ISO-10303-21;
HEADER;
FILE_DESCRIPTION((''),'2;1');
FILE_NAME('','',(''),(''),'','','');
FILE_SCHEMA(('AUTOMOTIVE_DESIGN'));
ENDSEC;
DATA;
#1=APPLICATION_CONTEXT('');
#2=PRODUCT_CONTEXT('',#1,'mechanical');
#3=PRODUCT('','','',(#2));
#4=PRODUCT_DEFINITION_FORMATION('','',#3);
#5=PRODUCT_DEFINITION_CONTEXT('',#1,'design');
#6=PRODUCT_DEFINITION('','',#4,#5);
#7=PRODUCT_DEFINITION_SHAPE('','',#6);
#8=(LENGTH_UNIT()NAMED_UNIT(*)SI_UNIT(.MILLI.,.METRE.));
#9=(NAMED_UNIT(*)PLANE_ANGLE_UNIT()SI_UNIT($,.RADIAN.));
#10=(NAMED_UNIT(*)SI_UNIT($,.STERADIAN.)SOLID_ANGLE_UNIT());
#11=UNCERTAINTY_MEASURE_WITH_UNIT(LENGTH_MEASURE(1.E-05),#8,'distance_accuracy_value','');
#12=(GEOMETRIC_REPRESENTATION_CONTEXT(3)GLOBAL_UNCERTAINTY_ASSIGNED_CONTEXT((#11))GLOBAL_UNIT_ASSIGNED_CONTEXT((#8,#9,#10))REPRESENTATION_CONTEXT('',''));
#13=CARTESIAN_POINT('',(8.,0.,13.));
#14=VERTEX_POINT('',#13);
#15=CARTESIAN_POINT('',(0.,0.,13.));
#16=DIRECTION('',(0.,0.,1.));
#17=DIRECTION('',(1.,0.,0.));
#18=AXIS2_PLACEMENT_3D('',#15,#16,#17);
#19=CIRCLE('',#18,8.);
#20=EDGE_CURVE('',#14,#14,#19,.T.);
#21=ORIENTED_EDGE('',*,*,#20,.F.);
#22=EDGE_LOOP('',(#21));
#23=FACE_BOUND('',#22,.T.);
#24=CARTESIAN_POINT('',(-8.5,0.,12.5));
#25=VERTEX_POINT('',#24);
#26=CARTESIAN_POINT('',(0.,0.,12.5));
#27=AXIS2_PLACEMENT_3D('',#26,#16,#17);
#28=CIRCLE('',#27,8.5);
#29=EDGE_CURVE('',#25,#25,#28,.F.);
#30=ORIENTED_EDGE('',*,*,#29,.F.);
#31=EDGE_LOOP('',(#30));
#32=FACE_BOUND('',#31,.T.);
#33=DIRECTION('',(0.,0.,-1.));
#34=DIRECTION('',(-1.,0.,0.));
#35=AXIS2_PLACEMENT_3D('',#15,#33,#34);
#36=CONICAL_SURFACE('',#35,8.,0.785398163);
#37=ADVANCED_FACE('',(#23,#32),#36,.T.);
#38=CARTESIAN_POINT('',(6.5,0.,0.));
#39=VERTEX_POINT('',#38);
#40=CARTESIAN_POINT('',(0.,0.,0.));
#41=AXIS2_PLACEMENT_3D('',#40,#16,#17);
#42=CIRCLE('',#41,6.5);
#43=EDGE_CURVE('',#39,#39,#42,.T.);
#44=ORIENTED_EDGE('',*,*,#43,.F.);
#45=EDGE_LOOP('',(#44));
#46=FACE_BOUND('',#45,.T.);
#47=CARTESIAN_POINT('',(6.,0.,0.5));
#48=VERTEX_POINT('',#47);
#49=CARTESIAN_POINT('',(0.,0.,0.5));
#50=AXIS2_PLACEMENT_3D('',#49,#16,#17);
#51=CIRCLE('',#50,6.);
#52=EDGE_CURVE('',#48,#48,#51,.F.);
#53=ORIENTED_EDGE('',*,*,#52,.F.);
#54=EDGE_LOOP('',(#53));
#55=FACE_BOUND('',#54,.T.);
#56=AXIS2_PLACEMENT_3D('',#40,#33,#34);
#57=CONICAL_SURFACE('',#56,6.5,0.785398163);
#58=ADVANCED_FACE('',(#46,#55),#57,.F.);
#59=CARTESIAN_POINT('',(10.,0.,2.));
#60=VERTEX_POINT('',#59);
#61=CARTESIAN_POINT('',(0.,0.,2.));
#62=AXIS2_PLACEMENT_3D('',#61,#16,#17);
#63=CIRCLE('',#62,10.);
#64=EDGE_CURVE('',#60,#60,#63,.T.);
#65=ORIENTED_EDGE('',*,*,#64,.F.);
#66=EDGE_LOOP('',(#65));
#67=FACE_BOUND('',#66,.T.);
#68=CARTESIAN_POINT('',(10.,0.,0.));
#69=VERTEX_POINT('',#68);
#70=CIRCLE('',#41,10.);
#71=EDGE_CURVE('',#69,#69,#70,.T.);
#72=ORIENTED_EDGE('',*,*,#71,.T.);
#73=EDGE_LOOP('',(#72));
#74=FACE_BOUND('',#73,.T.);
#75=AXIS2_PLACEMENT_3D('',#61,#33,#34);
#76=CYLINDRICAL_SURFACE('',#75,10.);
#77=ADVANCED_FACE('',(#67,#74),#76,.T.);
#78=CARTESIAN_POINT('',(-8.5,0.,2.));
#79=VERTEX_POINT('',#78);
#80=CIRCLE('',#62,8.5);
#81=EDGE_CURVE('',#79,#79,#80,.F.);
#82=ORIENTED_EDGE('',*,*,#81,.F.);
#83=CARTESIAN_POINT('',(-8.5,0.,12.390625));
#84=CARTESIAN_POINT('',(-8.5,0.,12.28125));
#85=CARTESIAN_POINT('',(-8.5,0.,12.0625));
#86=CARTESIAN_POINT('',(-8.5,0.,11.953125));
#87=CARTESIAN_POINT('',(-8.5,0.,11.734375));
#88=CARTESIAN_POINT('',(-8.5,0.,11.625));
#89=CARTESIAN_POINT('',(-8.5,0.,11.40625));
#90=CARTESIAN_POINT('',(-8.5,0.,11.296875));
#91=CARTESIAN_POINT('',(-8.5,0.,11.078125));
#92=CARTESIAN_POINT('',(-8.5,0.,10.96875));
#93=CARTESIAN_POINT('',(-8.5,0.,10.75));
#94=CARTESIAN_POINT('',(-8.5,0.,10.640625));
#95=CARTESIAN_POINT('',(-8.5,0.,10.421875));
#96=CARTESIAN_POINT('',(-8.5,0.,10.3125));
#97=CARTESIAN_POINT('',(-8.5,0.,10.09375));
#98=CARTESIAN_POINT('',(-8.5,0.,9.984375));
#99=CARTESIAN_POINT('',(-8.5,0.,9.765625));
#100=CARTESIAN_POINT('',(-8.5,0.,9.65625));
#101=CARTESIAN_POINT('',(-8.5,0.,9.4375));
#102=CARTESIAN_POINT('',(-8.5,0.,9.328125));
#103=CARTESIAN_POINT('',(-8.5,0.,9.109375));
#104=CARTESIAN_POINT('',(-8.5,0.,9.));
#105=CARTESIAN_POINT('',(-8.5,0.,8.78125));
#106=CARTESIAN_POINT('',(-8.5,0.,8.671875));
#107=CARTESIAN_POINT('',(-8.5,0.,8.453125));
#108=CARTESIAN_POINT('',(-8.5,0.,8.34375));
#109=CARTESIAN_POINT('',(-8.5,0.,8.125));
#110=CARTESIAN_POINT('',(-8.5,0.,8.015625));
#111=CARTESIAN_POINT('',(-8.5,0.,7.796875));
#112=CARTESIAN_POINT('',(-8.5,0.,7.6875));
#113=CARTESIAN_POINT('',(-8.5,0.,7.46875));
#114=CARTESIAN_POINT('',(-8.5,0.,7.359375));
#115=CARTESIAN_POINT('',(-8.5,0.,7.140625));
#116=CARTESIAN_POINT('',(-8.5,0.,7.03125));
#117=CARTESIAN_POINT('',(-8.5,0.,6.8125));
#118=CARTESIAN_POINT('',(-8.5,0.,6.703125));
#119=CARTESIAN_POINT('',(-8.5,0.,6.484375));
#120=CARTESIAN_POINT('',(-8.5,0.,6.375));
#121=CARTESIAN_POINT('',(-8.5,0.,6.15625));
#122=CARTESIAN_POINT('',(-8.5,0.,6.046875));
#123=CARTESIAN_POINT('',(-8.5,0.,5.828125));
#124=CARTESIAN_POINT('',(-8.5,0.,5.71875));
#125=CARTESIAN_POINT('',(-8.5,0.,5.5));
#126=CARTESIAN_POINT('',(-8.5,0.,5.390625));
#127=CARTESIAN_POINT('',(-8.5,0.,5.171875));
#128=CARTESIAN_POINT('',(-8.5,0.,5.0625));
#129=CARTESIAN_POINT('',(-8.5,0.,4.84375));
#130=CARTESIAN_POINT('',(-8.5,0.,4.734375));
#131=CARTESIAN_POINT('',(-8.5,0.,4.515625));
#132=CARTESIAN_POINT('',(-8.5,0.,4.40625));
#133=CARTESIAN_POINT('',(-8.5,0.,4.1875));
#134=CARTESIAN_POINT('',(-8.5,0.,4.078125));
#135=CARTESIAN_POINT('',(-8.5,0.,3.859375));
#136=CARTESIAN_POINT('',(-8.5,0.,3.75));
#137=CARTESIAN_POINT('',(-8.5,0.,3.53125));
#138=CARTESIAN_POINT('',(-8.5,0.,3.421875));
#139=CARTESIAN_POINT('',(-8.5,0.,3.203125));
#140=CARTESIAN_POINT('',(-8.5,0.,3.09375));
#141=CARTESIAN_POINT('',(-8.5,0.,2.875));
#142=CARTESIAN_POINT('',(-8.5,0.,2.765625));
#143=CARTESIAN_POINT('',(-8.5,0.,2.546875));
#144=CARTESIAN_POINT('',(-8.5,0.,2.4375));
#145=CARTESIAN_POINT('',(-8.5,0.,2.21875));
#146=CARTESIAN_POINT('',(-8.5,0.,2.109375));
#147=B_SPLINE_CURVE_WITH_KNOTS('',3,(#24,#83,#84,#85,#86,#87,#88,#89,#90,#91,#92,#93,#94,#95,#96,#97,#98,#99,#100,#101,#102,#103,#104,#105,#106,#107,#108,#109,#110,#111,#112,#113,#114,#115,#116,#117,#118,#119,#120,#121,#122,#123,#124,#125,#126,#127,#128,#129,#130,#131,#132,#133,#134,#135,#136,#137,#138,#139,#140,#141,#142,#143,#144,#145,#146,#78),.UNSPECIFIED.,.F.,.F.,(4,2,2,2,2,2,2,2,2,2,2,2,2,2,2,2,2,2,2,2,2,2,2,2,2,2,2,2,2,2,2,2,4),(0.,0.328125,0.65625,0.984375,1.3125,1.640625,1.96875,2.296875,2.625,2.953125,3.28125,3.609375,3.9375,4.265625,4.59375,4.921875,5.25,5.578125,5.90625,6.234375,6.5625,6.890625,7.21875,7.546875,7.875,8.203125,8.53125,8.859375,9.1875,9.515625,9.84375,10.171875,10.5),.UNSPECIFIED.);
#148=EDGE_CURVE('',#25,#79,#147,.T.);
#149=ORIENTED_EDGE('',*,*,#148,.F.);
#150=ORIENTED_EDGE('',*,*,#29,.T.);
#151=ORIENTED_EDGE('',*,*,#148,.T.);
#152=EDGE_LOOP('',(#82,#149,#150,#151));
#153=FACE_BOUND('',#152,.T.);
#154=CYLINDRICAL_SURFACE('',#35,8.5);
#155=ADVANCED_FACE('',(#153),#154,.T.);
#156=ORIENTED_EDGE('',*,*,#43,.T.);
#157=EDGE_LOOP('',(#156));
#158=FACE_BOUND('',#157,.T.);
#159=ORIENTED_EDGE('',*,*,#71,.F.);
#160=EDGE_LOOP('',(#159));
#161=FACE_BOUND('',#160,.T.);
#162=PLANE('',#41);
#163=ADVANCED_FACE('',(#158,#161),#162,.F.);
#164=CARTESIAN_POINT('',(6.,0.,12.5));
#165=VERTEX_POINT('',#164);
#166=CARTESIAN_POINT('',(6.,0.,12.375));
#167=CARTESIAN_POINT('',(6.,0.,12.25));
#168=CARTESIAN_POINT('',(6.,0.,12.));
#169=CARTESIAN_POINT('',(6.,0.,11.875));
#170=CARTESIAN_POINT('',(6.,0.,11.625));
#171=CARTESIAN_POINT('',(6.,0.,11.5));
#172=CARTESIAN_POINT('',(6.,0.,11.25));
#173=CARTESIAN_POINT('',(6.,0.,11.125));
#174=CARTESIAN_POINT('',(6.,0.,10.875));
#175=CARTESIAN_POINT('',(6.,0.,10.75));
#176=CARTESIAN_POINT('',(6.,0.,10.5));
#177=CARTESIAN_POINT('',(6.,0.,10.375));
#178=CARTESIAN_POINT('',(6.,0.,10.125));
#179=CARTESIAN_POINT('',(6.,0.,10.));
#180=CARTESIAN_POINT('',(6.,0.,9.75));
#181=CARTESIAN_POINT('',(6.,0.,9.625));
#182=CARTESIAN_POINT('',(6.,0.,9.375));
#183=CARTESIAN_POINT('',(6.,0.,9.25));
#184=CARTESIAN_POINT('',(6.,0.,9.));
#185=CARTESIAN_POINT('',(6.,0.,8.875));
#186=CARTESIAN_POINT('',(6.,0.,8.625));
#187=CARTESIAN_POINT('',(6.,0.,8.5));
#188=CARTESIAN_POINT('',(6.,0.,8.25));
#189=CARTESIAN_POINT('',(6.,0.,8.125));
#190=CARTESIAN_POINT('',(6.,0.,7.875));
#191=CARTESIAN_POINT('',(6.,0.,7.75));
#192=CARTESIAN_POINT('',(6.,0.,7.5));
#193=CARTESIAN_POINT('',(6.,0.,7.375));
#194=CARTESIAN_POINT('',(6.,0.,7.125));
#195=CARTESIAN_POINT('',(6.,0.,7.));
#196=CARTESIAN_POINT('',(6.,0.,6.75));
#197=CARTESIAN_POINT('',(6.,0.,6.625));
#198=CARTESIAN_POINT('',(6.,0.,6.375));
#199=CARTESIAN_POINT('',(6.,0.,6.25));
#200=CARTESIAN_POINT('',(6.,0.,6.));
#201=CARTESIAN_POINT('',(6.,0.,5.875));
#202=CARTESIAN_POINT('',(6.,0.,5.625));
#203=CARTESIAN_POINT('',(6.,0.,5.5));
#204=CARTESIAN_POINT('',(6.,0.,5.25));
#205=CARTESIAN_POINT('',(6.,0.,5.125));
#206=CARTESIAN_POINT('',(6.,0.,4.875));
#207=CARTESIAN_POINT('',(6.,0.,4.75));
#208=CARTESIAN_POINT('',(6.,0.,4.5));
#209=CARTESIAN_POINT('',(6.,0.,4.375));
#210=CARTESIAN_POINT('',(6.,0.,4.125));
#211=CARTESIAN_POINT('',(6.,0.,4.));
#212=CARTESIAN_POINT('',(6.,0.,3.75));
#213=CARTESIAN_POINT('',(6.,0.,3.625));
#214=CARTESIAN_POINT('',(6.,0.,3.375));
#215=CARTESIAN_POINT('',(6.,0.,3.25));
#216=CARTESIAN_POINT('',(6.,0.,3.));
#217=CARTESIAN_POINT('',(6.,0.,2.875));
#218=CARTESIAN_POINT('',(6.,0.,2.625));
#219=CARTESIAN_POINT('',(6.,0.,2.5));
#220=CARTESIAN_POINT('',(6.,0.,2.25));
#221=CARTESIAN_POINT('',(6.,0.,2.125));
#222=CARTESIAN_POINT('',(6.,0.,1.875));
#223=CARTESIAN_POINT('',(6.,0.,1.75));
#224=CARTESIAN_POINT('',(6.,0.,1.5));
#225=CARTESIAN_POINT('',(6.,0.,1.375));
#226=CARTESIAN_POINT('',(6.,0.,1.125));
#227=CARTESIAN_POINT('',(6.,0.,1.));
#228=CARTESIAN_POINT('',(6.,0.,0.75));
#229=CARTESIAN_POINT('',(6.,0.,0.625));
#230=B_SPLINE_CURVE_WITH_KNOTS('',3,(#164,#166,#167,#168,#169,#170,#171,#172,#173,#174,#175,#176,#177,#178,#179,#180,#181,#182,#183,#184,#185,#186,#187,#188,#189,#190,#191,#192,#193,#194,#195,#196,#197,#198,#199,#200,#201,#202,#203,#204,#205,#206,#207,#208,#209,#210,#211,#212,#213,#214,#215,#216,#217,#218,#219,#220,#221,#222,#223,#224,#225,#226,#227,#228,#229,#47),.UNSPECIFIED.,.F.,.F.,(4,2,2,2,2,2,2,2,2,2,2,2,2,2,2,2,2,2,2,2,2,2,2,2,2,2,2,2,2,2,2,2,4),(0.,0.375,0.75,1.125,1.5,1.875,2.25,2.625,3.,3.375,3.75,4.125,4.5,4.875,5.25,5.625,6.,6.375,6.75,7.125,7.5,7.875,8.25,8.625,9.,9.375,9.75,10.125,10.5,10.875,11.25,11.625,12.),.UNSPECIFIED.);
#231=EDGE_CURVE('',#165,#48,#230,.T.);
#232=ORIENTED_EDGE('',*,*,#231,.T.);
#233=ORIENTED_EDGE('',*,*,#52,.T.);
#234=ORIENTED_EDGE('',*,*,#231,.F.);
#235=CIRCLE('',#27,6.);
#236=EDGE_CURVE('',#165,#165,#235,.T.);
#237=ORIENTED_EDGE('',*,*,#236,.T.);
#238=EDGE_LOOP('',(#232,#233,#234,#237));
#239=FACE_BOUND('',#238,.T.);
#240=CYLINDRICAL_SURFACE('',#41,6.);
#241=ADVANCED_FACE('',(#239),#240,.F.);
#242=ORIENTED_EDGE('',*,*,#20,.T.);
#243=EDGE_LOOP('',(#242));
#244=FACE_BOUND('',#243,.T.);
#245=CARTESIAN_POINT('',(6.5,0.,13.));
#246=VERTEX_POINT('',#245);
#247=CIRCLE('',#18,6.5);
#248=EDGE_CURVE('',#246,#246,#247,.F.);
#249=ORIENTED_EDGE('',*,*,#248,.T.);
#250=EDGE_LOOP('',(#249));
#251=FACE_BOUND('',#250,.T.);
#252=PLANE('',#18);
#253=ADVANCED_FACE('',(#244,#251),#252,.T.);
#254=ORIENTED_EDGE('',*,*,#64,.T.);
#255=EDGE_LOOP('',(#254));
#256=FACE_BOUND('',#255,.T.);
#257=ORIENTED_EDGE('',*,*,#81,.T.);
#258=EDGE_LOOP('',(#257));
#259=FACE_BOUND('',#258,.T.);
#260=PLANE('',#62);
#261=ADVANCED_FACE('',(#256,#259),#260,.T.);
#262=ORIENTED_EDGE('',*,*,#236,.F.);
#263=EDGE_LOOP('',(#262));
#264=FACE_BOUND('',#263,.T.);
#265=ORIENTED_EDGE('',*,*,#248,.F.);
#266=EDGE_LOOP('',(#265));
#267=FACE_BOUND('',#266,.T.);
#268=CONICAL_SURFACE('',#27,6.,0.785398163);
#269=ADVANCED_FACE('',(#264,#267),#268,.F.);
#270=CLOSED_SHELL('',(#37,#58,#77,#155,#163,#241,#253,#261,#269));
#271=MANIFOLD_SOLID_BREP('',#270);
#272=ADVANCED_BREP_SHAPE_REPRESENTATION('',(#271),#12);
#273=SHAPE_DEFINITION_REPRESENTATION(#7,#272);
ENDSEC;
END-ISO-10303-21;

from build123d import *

# Parameters (mm, degrees)
SKETCH_1_R          = 10
EXTRUDE_1_DEPTH     = 2
SKETCH_2_R          = 8.5
EXTRUDE_2_DEPTH     = 13
SKETCH_3_R          = 6
CUT_EXTRUDE_1_DEPTH = 20.209372712
CHAMFER_1_SIZE      = 0.5


with BuildPart() as part:
    # 草图1 → 凸台-拉伸1 (new body)
    with BuildSketch(Plane.XY):
        Circle(SKETCH_1_R)
    extrude(amount=EXTRUDE_1_DEPTH)

    # 草图2 → 凸台-拉伸2 (add)
    with BuildSketch(Plane.XY):
        with Locations(Location((0, 0, 0), (0, 0, 180))):
            Circle(SKETCH_2_R)
    extrude(amount=EXTRUDE_2_DEPTH)

    # 草图3 → 切除-拉伸1 (cut, through all)
    with BuildSketch(Plane.XY.offset(13)):
        Circle(SKETCH_3_R)
    extrude(amount=-CUT_EXTRUDE_1_DEPTH, mode=Mode.SUBTRACT)

    # 倒角1
    chamfer_1_edges = [part.edges().sort_by_distance(p)[0] for p in [
        (-6, 0, 0),
        (-6, 0, 13),
        (8.5, 0, 13),
    ]]
    chamfer(chamfer_1_edges, length=CHAMFER_1_SIZE)


solid = part.part
